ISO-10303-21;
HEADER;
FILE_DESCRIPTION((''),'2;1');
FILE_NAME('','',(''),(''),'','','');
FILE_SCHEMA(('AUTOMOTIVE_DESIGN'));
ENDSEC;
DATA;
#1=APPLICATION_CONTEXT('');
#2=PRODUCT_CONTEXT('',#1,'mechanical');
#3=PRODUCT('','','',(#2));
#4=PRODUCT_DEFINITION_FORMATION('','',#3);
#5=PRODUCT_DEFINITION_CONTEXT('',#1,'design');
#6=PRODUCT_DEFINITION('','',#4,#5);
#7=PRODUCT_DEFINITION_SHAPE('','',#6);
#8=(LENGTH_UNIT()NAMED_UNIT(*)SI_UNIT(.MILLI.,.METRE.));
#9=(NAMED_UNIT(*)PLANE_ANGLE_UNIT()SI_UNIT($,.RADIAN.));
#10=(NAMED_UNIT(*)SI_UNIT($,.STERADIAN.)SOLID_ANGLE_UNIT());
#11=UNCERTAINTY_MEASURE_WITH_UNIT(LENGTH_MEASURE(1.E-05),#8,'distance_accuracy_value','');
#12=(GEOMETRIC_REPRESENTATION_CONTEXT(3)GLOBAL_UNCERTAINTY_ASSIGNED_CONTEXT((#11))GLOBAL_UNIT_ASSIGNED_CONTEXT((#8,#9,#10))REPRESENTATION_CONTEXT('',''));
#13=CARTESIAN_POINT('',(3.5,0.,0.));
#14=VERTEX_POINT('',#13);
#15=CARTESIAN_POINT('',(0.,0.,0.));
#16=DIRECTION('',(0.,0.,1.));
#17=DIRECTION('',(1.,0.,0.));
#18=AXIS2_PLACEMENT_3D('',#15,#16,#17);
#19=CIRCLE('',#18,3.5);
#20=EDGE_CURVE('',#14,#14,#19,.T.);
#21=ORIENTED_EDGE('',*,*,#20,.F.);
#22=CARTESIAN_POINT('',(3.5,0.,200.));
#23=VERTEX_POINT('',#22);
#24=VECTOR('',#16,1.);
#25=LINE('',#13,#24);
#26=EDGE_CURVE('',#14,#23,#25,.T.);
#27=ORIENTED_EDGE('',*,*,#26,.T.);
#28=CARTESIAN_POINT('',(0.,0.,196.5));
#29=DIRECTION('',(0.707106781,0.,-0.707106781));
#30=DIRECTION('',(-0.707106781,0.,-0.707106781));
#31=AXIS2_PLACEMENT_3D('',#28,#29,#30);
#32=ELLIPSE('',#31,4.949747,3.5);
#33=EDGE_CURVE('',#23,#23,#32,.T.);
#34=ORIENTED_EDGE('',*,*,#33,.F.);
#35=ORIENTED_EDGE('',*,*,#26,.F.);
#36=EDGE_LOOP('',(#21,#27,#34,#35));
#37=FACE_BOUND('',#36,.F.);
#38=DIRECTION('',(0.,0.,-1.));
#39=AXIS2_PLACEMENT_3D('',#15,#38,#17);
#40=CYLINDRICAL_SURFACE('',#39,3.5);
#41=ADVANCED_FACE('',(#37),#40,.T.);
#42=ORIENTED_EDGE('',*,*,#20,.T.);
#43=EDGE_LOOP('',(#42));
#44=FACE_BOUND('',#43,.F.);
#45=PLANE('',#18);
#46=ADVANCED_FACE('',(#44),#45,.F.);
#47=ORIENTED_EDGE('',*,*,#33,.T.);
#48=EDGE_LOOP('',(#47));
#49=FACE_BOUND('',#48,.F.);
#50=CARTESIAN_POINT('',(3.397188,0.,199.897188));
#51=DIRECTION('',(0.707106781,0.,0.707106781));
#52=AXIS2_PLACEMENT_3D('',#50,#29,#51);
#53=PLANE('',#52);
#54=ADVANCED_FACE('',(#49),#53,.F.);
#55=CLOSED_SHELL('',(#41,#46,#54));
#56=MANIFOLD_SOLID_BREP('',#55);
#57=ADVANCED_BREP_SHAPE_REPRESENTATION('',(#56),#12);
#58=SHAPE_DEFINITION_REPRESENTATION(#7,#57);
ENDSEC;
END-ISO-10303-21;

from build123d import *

# Parameters (mm, degrees)
F0_R     = 3.5
F1_DEPTH = 200
F2_R     = 3.5
F4_W     = 24.0166783333
F4_H     = 13.9498142526
F5_DEPTH = 25


with BuildPart() as f1:
    # F0 (on Top) → F1 (new body)
    with BuildSketch(Plane.XY):
        Circle(F0_R)
    extrude(amount=F1_DEPTH)

    # F2 (on face) + F4 (on line) → F5 (cut)
    with BuildSketch(Plane.XY.offset(200)):
        Circle(F2_R)
    with BuildSketch(Plane(origin=(-98.25, 0, 98.25), x_dir=(0.7071067812, 0, 0.7071067812), z_dir=(0.7071067812, 0, -0.7071067812))):
        with Locations((143.7508314848, 0)):
            Rectangle(F4_W, F4_H)
    extrude(amount=F5_DEPTH, dir=(0, 0, 1), mode=Mode.SUBTRACT)


solid = f1.part
